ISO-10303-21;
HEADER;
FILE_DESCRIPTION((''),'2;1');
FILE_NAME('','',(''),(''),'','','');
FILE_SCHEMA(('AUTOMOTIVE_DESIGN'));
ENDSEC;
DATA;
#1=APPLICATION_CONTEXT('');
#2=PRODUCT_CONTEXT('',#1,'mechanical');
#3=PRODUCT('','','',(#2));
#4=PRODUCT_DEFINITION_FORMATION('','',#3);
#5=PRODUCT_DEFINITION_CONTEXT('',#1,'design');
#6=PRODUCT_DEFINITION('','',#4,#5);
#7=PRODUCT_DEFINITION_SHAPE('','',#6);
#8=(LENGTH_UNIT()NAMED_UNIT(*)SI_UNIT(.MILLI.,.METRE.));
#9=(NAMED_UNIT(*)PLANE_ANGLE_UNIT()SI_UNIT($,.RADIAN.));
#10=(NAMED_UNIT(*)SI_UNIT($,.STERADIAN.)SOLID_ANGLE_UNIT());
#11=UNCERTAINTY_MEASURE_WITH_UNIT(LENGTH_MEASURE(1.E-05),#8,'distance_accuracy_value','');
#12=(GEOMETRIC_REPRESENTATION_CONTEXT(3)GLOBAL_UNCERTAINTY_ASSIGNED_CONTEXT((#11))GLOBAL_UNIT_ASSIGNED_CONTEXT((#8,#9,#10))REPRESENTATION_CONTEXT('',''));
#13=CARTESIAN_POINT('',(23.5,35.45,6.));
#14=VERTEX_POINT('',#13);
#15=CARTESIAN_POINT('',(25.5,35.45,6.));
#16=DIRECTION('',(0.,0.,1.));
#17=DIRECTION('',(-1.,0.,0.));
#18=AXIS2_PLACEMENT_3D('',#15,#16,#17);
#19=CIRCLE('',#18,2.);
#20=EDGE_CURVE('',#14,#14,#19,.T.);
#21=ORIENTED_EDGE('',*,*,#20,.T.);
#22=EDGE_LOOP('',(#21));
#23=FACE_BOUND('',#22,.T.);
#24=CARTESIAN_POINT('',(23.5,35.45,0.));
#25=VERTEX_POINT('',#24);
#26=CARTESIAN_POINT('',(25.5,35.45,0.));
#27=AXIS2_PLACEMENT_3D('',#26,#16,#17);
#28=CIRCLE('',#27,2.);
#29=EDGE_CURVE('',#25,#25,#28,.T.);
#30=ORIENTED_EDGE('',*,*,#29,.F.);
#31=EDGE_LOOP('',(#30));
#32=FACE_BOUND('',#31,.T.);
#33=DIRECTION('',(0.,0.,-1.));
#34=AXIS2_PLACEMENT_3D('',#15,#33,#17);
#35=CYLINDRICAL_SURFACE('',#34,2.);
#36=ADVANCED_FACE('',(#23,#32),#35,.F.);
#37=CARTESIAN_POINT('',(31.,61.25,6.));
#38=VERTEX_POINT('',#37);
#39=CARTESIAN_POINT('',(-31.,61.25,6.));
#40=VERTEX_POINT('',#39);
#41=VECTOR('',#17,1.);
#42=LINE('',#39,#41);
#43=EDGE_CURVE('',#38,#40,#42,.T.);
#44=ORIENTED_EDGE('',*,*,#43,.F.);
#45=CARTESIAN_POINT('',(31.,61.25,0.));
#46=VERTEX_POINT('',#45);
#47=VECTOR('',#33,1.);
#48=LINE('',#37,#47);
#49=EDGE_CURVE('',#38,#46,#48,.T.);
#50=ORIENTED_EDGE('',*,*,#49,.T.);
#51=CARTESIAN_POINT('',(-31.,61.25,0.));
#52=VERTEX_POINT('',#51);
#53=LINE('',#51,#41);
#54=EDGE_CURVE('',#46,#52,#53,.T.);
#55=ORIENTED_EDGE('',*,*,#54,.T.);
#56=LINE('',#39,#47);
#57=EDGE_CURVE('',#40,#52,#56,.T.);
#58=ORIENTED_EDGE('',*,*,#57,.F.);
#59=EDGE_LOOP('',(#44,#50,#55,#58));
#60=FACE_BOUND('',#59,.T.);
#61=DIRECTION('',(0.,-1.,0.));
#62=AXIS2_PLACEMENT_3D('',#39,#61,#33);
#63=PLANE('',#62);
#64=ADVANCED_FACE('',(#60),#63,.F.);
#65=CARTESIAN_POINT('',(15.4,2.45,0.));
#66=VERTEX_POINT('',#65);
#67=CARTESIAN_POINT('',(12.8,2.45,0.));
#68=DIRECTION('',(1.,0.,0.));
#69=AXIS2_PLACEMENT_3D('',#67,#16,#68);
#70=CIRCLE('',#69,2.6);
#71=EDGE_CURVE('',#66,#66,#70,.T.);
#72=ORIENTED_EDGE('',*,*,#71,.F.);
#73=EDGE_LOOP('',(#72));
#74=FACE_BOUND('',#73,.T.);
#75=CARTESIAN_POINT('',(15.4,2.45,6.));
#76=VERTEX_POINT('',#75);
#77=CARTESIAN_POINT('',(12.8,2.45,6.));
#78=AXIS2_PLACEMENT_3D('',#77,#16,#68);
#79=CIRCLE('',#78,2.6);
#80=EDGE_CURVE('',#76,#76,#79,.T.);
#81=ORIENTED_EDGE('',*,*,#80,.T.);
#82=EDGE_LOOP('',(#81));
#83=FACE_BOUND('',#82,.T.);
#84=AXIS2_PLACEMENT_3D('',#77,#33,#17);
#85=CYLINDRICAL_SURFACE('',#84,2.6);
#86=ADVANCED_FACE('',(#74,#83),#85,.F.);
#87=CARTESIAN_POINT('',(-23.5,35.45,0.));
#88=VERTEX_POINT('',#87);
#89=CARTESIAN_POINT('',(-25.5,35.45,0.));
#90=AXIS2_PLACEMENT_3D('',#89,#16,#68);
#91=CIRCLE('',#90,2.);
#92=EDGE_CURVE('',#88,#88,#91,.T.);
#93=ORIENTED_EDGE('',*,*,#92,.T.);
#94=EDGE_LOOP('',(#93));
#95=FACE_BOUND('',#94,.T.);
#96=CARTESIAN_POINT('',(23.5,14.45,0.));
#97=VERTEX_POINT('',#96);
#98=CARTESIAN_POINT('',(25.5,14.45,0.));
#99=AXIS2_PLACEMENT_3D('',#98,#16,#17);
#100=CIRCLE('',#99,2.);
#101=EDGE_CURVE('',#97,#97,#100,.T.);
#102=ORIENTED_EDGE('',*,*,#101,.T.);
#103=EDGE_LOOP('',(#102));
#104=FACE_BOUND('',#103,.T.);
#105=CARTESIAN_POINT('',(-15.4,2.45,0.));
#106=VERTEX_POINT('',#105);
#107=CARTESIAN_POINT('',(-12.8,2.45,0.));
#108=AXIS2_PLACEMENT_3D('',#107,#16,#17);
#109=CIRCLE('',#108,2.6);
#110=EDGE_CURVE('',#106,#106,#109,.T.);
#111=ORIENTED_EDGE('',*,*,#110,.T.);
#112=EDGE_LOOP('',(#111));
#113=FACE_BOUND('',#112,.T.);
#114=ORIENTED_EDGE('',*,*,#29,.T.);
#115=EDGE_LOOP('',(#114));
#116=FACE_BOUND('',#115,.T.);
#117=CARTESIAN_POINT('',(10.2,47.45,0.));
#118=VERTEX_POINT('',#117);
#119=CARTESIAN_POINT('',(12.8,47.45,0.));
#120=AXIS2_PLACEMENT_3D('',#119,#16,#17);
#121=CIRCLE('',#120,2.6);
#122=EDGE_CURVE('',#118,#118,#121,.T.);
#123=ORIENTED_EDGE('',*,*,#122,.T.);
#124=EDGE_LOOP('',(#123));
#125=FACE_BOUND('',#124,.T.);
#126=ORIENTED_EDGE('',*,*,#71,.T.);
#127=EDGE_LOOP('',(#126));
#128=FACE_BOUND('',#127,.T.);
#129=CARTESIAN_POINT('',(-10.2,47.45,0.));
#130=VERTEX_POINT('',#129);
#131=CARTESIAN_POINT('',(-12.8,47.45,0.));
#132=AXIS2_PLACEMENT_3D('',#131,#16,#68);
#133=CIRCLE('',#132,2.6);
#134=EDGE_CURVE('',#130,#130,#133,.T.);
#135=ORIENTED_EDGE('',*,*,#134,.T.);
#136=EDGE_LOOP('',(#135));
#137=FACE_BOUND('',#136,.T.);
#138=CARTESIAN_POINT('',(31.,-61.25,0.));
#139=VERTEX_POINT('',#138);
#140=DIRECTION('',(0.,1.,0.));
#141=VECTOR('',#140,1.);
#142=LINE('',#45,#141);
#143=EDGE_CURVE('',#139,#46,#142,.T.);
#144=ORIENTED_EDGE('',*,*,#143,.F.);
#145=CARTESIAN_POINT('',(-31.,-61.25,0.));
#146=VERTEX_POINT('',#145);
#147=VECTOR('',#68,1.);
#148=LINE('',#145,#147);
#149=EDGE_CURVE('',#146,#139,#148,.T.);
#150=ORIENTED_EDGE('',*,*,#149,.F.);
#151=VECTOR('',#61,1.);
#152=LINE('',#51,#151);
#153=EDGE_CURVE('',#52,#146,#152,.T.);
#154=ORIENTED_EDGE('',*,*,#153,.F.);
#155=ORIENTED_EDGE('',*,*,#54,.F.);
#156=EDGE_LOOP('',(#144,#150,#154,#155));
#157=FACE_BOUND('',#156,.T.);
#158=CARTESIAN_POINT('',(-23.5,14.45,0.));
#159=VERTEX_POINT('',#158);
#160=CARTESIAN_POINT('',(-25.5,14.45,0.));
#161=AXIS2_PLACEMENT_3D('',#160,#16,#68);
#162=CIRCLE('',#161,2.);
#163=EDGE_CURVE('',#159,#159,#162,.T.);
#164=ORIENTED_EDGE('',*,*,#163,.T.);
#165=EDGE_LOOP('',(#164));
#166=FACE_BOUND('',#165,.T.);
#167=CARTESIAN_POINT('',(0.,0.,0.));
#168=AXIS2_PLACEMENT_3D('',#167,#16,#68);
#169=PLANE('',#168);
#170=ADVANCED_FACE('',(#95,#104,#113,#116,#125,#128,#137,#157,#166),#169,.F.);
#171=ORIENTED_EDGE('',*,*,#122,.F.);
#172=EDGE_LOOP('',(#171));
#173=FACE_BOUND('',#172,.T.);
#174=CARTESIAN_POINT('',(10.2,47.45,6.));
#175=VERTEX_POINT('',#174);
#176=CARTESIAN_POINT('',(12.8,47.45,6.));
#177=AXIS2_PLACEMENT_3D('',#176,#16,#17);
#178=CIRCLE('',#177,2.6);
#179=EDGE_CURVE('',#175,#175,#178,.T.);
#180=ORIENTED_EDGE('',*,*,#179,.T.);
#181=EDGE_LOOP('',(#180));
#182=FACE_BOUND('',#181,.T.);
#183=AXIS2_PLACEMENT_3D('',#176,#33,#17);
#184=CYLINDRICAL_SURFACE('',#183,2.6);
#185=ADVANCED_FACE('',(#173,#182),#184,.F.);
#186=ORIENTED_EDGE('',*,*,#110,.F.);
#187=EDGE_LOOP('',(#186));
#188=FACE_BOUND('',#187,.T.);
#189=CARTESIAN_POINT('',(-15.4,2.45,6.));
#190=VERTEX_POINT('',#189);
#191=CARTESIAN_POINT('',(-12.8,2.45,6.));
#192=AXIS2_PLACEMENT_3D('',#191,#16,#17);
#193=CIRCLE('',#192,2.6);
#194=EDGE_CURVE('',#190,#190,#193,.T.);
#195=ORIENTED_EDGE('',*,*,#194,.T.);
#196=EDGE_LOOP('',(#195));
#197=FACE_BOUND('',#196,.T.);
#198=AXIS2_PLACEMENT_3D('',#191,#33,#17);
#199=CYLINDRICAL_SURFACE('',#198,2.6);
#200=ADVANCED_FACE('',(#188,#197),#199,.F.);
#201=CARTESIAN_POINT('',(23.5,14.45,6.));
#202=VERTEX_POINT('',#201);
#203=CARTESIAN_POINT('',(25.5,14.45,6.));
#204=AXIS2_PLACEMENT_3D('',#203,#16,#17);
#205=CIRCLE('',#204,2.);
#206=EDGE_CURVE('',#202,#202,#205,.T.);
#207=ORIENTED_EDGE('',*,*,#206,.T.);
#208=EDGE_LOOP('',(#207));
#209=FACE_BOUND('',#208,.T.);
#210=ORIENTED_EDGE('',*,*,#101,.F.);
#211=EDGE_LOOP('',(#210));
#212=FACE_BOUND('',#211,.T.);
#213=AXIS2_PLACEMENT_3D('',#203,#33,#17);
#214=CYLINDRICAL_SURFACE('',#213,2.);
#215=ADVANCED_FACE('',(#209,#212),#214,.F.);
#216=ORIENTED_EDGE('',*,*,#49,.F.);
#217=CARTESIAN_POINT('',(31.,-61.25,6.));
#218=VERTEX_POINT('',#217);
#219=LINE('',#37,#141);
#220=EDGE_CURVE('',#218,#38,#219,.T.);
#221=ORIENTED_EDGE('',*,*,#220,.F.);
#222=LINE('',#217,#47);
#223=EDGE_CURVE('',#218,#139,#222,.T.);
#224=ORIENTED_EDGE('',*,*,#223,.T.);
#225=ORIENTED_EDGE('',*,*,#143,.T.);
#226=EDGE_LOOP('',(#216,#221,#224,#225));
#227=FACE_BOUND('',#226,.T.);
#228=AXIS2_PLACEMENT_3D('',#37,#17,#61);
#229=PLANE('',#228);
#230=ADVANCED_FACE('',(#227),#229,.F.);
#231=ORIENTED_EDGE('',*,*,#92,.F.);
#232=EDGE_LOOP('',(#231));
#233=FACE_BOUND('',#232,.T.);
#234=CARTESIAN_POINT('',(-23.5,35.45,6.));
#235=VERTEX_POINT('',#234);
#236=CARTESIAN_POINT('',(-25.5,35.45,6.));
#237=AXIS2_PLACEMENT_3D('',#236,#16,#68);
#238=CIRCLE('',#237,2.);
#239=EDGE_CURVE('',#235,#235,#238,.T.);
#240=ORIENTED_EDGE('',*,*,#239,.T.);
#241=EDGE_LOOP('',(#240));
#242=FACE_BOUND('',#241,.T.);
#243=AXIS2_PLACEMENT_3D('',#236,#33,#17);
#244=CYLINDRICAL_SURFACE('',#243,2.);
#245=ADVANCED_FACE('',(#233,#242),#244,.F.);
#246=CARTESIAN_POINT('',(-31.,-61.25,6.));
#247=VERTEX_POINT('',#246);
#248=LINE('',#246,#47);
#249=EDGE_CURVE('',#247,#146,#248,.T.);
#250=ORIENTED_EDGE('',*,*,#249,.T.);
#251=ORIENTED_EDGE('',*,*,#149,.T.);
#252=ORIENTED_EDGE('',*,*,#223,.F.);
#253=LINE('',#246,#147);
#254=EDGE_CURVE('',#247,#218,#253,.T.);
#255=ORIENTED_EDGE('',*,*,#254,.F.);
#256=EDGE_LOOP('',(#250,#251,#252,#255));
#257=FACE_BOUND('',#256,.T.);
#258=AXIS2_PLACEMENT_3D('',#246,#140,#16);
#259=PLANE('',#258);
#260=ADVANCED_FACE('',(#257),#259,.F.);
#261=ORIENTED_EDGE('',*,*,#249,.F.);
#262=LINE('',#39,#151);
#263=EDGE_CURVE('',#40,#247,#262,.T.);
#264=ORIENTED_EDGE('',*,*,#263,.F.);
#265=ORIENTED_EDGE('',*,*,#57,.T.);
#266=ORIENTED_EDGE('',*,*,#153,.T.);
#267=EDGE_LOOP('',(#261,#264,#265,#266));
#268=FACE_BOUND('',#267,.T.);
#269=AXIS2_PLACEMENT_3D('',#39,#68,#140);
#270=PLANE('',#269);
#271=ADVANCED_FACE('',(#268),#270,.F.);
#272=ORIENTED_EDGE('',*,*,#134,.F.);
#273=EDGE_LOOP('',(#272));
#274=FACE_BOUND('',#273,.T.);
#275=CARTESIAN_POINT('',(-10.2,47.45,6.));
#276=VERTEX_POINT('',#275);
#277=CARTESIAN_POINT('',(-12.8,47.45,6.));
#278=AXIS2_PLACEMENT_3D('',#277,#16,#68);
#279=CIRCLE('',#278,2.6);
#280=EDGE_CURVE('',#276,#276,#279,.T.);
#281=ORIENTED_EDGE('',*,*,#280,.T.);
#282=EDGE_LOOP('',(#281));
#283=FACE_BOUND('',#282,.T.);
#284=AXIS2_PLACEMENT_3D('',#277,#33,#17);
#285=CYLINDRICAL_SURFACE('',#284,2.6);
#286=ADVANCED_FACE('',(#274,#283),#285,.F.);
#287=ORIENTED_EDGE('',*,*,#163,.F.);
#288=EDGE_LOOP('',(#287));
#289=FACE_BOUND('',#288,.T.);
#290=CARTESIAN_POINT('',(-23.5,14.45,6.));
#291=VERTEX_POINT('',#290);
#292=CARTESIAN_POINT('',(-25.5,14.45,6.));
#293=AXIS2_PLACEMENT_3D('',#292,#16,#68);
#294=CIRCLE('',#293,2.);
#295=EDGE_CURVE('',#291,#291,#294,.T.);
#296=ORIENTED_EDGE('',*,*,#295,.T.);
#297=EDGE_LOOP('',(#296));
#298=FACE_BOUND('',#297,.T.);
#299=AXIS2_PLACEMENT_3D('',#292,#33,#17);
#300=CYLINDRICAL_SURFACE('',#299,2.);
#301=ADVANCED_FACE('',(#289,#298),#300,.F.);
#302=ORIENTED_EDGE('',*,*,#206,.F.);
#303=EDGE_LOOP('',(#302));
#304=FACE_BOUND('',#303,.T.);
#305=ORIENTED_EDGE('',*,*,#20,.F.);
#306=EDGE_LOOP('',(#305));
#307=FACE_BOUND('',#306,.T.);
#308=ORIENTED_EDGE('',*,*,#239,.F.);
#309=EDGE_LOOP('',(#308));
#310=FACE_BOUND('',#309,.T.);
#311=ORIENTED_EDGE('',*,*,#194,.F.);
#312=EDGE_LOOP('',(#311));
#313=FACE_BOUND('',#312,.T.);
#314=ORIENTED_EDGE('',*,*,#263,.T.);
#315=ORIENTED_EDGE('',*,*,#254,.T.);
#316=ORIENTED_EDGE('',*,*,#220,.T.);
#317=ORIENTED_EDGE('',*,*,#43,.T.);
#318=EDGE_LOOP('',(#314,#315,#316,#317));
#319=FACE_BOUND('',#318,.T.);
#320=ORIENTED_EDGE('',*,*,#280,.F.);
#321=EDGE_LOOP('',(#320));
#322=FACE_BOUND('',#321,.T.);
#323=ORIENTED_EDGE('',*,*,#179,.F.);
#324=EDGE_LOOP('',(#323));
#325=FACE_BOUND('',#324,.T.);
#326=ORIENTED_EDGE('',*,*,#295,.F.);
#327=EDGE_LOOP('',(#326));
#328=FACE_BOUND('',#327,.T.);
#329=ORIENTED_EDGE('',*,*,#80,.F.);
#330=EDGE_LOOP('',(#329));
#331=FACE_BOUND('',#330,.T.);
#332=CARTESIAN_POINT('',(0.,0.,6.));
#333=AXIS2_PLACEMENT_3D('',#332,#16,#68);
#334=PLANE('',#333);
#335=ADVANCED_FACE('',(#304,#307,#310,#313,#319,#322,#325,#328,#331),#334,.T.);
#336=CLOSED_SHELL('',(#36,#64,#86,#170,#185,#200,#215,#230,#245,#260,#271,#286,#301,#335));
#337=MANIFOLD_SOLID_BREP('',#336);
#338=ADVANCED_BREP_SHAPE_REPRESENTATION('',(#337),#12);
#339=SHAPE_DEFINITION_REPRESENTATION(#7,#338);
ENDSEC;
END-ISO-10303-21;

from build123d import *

# Parameters (mm, degrees)
SKETCH_1_W      = 62
SKETCH_1_H      = 122.5
SKETCH_1_R      = 2
SKETCH_1_R_2    = 2.6
EXTRUDE_1_DEPTH = 6


with BuildPart() as part:
    # 草图1 → 凸台-拉伸1 (new body)
    with BuildSketch(Plane.XY):
        Rectangle(SKETCH_1_W, SKETCH_1_H)
        with Locations((-25.5, 35.45)):
            Circle(SKETCH_1_R, mode=Mode.SUBTRACT)
        with Locations((-25.5, 14.45)):
            Circle(SKETCH_1_R, mode=Mode.SUBTRACT)
        with Locations(Location((25.5, 14.45, 0), (0, 0, 180))):
            Circle(SKETCH_1_R, mode=Mode.SUBTRACT)
        with Locations(Location((25.5, 35.45, 0), (0, 0, 180))):
            Circle(SKETCH_1_R, mode=Mode.SUBTRACT)
        with Locations((-12.8, 47.45)):
            Circle(SKETCH_1_R_2, mode=Mode.SUBTRACT)
        with Locations(Location((12.8, 47.45, 0), (0, 0, 180))):
            Circle(SKETCH_1_R_2, mode=Mode.SUBTRACT)
        with Locations((12.8, 2.45)):
            Circle(SKETCH_1_R_2, mode=Mode.SUBTRACT)
        with Locations(Location((-12.8, 2.45, 0), (0, 0, 180))):
            Circle(SKETCH_1_R_2, mode=Mode.SUBTRACT)
    extrude(amount=EXTRUDE_1_DEPTH)


solid = part.part
